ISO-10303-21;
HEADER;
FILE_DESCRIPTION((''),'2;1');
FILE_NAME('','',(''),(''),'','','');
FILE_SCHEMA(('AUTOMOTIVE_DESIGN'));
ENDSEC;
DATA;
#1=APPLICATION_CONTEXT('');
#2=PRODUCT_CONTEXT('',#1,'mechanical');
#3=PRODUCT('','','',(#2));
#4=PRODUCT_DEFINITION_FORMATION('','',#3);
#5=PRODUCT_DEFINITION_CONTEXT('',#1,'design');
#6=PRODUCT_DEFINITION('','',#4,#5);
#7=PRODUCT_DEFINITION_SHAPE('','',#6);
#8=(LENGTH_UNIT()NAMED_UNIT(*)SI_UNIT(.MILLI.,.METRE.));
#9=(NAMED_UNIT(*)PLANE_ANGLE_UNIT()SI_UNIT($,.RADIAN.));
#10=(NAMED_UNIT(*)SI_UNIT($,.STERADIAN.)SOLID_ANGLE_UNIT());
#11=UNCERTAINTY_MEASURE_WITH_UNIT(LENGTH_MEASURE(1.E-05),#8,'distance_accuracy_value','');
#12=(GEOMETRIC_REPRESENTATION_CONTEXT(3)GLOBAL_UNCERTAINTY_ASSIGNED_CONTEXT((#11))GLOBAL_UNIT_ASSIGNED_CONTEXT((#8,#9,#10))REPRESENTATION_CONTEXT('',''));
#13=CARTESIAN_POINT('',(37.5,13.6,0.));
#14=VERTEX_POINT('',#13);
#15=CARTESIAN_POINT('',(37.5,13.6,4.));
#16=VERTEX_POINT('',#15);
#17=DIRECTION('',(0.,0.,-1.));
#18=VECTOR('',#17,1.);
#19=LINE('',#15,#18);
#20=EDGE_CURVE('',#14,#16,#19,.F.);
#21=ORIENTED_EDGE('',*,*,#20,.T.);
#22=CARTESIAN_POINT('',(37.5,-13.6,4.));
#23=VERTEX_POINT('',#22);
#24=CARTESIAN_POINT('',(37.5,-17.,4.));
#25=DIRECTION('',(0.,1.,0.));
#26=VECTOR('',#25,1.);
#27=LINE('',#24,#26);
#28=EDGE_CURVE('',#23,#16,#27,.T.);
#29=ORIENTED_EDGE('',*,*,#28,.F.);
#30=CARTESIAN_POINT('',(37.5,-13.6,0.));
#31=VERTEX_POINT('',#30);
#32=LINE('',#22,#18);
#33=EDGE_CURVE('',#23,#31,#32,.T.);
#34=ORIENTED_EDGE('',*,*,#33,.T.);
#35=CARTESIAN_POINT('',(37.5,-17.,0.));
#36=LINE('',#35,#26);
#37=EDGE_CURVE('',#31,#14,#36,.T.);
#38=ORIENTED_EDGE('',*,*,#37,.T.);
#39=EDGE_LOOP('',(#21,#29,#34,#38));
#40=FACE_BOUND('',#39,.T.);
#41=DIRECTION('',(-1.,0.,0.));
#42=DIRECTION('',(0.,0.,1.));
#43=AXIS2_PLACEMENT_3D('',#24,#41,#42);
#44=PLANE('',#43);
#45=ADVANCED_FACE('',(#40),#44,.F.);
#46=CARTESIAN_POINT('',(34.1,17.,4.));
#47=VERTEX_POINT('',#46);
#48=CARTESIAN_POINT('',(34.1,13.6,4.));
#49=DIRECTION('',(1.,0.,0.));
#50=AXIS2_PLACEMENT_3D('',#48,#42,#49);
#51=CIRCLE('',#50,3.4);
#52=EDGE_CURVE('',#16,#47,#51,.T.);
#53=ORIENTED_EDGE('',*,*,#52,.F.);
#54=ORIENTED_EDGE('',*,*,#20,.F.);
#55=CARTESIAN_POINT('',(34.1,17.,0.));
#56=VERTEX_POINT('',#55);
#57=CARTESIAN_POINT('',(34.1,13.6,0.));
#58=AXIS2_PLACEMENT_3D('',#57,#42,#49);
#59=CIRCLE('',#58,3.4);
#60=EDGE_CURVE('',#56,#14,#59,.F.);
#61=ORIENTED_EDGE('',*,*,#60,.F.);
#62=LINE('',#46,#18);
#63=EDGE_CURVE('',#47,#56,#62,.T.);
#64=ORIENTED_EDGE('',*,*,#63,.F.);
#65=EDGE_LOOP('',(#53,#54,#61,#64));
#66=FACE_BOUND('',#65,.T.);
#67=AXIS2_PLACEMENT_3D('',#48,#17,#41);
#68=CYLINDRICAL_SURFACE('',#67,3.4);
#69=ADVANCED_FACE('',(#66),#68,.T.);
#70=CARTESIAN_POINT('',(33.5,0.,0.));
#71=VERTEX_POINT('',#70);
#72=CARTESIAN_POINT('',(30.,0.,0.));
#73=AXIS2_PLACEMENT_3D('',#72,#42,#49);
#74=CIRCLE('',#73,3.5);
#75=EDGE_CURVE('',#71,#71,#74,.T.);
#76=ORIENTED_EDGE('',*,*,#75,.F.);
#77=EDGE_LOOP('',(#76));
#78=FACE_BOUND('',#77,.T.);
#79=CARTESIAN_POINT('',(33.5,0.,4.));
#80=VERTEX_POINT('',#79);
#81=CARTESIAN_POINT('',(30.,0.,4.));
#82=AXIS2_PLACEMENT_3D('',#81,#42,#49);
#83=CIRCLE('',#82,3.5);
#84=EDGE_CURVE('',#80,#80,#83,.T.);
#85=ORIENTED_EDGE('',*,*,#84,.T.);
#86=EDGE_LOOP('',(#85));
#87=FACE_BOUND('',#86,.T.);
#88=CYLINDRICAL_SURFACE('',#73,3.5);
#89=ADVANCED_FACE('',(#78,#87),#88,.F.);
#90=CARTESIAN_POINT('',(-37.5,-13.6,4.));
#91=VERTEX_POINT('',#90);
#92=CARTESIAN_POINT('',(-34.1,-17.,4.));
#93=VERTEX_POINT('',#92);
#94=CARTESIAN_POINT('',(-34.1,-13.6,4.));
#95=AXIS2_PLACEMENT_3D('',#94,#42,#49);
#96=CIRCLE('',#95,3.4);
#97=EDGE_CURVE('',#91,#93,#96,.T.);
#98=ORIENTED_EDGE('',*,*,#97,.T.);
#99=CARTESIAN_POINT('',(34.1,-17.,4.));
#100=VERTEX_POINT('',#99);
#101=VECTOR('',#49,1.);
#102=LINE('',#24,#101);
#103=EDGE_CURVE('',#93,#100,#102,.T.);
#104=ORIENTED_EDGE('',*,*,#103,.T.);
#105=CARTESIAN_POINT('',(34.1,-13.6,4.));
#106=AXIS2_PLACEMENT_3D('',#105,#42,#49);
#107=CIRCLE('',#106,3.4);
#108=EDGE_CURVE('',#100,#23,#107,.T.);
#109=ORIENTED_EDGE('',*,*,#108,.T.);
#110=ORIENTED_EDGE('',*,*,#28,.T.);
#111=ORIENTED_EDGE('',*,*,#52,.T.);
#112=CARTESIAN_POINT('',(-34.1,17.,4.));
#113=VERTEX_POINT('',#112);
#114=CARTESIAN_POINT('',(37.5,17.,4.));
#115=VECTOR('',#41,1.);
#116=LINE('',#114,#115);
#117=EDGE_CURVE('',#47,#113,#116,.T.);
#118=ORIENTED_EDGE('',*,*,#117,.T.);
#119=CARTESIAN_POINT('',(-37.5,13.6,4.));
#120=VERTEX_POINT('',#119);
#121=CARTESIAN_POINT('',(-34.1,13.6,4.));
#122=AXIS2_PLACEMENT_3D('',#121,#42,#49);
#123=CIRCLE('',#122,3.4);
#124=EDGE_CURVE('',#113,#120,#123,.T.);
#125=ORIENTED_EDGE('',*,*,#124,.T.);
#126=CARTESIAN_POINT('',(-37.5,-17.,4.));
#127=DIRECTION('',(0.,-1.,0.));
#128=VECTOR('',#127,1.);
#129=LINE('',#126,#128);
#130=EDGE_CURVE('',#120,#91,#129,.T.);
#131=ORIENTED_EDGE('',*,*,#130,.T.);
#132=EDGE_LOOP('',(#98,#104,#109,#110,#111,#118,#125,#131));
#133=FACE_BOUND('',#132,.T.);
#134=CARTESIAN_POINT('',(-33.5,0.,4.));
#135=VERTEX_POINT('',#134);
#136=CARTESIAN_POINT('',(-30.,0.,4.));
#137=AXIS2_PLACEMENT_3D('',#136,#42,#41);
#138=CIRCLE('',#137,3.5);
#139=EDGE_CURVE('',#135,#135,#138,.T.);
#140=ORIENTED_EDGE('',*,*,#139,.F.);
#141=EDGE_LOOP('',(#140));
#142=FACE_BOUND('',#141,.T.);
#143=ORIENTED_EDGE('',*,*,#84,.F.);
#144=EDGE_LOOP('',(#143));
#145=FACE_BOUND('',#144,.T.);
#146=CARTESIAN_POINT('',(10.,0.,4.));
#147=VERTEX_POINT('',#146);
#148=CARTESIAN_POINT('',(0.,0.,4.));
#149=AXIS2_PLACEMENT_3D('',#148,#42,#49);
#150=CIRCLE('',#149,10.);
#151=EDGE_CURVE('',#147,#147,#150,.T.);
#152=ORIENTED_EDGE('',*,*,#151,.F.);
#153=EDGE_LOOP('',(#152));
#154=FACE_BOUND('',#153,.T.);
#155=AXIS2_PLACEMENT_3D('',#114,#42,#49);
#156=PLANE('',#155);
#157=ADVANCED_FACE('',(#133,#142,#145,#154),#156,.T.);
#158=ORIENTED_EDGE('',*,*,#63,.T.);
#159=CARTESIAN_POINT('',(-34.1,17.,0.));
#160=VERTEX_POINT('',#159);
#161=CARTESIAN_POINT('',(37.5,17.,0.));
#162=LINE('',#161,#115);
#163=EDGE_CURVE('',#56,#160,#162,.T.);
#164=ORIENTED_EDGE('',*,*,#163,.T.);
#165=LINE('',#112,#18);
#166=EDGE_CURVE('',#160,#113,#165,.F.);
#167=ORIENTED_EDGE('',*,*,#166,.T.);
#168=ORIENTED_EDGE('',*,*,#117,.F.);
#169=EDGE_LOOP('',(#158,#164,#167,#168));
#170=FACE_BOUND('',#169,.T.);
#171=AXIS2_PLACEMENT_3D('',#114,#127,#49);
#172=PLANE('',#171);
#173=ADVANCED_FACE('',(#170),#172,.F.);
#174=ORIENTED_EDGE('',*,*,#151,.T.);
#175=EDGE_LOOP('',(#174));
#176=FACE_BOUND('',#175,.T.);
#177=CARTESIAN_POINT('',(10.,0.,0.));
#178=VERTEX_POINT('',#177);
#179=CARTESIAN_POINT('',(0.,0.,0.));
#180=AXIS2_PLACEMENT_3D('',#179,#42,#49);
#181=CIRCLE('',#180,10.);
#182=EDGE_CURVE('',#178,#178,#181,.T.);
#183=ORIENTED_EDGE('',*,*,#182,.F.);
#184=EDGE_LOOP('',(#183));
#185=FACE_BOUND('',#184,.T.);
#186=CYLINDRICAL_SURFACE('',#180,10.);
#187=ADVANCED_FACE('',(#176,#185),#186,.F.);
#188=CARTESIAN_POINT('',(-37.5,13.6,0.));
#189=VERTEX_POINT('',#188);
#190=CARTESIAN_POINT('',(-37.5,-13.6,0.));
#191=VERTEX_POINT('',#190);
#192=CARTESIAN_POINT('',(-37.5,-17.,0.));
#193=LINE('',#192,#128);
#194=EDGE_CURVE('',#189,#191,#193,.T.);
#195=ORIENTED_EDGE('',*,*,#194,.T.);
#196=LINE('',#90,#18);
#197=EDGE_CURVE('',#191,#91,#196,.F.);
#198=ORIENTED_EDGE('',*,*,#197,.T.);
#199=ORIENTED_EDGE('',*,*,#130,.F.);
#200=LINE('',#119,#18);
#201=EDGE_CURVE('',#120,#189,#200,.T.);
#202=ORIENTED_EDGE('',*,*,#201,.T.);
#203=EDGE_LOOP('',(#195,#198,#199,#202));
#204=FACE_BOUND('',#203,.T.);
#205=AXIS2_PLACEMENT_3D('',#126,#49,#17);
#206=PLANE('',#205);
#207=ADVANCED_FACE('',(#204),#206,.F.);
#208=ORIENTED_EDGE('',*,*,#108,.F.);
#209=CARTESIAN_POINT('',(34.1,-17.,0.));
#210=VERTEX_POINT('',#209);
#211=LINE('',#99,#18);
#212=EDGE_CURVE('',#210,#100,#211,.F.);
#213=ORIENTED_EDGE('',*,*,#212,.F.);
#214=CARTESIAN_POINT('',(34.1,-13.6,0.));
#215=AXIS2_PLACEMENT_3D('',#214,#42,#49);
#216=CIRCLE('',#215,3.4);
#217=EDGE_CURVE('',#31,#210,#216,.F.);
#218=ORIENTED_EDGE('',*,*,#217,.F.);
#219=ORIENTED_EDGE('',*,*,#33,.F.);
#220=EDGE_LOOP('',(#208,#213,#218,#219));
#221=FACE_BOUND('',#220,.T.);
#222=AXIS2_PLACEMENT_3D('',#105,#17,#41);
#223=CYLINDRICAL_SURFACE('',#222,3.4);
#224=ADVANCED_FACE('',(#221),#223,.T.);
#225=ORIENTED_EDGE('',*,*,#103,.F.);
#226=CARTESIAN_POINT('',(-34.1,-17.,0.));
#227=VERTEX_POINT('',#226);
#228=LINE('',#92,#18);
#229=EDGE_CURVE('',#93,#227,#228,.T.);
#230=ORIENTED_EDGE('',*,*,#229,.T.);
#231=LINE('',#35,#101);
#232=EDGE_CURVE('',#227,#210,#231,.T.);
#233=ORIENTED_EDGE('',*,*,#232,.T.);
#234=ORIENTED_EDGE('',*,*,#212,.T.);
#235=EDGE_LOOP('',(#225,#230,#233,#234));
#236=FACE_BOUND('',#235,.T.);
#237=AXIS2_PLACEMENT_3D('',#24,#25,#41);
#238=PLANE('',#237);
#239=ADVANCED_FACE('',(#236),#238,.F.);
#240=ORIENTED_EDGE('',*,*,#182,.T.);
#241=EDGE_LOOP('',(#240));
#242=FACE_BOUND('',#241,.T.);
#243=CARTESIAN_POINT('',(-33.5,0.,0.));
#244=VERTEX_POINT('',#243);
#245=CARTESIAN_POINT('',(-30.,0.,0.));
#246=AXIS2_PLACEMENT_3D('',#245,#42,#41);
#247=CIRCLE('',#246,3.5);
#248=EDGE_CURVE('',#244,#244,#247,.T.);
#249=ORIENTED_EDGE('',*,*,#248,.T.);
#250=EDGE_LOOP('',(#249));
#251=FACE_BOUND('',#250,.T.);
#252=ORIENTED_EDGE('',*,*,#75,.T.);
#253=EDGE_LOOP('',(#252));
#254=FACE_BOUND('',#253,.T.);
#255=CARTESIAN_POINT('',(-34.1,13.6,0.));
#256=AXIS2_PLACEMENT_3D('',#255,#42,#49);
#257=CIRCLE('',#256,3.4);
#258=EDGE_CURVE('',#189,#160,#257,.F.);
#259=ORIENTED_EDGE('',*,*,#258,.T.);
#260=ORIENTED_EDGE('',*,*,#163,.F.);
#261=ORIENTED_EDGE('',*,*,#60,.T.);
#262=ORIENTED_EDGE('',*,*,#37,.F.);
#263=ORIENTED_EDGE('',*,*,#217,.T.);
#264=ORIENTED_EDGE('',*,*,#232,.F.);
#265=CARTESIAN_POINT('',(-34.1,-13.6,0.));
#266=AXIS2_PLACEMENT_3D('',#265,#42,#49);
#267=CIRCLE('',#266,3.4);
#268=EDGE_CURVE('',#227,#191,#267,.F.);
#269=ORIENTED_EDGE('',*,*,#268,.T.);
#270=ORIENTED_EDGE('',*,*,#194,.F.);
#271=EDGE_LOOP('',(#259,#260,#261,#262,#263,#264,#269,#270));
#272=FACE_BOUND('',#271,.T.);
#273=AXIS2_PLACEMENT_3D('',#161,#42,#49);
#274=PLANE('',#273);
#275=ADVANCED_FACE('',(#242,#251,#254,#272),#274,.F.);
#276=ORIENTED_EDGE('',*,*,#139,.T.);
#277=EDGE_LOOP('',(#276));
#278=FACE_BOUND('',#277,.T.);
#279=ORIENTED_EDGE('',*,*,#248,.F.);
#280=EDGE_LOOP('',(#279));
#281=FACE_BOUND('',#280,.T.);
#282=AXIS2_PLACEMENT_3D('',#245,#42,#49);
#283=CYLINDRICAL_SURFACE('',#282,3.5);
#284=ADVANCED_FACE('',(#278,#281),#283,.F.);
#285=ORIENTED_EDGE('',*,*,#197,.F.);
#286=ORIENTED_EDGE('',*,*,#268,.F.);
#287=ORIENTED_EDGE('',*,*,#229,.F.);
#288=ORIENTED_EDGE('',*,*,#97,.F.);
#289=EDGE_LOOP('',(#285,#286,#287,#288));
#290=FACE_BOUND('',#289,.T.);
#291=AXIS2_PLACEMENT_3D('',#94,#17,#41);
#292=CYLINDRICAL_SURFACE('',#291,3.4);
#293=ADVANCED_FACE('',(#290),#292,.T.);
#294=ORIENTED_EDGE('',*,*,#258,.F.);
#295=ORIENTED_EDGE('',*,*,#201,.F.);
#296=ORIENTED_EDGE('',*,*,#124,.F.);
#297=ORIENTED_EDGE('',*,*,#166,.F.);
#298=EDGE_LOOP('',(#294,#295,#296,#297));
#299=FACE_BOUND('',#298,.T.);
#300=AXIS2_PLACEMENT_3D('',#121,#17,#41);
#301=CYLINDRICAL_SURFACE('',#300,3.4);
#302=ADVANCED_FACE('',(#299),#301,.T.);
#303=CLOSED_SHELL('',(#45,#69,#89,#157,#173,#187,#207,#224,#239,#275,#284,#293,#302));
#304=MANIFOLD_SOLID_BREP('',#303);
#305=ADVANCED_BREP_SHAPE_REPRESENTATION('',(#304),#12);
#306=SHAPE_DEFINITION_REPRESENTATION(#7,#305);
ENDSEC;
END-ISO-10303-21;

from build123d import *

# Parameters (mm, degrees)
SKETCH_3_W           = 75
SKETCH_3_H           = 34
EXTRUDE_1_DEPTH      = 4
SKETCH_6_R           = 10
CUT_EXTRUDE_2_DEPTH  = 42.367257584
FILLET_1_R           = 3.4
SKETCH_4_R           = 3.5
CUT_EXTRUDE_20_DEPTH = 42.367257584


with BuildPart() as part:
    # 草图3 → 凸台-拉伸1 (new body)
    with BuildSketch(Plane.XY):
        Rectangle(SKETCH_3_W, SKETCH_3_H)
    extrude(amount=EXTRUDE_1_DEPTH)

    # 草图6 → 切除-拉伸2 (cut, through all)
    with BuildSketch(Plane.XY.offset(4)):
        Circle(SKETCH_6_R)
    extrude(amount=-CUT_EXTRUDE_2_DEPTH, mode=Mode.SUBTRACT)

    # 圆角1
    fillet_1_edges = [part.edges().sort_by_distance(p)[0] for p in [
        (37.5, -17, 2),
        (-37.5, -17, 2),
        (-37.5, 17, 2),
        (37.5, 17, 2),
    ]]
    fillet(fillet_1_edges, radius=FILLET_1_R)

    # 草图4 → 20 (cut, through all)
    with BuildSketch(Plane.XY.offset(4)):
        with Locations((30, 0)):
            Circle(SKETCH_4_R)
        with Locations(Location((-30, 0, 0), (0, 0, 180))):
            Circle(SKETCH_4_R)
    extrude(amount=-CUT_EXTRUDE_20_DEPTH, mode=Mode.SUBTRACT)


solid = part.part
